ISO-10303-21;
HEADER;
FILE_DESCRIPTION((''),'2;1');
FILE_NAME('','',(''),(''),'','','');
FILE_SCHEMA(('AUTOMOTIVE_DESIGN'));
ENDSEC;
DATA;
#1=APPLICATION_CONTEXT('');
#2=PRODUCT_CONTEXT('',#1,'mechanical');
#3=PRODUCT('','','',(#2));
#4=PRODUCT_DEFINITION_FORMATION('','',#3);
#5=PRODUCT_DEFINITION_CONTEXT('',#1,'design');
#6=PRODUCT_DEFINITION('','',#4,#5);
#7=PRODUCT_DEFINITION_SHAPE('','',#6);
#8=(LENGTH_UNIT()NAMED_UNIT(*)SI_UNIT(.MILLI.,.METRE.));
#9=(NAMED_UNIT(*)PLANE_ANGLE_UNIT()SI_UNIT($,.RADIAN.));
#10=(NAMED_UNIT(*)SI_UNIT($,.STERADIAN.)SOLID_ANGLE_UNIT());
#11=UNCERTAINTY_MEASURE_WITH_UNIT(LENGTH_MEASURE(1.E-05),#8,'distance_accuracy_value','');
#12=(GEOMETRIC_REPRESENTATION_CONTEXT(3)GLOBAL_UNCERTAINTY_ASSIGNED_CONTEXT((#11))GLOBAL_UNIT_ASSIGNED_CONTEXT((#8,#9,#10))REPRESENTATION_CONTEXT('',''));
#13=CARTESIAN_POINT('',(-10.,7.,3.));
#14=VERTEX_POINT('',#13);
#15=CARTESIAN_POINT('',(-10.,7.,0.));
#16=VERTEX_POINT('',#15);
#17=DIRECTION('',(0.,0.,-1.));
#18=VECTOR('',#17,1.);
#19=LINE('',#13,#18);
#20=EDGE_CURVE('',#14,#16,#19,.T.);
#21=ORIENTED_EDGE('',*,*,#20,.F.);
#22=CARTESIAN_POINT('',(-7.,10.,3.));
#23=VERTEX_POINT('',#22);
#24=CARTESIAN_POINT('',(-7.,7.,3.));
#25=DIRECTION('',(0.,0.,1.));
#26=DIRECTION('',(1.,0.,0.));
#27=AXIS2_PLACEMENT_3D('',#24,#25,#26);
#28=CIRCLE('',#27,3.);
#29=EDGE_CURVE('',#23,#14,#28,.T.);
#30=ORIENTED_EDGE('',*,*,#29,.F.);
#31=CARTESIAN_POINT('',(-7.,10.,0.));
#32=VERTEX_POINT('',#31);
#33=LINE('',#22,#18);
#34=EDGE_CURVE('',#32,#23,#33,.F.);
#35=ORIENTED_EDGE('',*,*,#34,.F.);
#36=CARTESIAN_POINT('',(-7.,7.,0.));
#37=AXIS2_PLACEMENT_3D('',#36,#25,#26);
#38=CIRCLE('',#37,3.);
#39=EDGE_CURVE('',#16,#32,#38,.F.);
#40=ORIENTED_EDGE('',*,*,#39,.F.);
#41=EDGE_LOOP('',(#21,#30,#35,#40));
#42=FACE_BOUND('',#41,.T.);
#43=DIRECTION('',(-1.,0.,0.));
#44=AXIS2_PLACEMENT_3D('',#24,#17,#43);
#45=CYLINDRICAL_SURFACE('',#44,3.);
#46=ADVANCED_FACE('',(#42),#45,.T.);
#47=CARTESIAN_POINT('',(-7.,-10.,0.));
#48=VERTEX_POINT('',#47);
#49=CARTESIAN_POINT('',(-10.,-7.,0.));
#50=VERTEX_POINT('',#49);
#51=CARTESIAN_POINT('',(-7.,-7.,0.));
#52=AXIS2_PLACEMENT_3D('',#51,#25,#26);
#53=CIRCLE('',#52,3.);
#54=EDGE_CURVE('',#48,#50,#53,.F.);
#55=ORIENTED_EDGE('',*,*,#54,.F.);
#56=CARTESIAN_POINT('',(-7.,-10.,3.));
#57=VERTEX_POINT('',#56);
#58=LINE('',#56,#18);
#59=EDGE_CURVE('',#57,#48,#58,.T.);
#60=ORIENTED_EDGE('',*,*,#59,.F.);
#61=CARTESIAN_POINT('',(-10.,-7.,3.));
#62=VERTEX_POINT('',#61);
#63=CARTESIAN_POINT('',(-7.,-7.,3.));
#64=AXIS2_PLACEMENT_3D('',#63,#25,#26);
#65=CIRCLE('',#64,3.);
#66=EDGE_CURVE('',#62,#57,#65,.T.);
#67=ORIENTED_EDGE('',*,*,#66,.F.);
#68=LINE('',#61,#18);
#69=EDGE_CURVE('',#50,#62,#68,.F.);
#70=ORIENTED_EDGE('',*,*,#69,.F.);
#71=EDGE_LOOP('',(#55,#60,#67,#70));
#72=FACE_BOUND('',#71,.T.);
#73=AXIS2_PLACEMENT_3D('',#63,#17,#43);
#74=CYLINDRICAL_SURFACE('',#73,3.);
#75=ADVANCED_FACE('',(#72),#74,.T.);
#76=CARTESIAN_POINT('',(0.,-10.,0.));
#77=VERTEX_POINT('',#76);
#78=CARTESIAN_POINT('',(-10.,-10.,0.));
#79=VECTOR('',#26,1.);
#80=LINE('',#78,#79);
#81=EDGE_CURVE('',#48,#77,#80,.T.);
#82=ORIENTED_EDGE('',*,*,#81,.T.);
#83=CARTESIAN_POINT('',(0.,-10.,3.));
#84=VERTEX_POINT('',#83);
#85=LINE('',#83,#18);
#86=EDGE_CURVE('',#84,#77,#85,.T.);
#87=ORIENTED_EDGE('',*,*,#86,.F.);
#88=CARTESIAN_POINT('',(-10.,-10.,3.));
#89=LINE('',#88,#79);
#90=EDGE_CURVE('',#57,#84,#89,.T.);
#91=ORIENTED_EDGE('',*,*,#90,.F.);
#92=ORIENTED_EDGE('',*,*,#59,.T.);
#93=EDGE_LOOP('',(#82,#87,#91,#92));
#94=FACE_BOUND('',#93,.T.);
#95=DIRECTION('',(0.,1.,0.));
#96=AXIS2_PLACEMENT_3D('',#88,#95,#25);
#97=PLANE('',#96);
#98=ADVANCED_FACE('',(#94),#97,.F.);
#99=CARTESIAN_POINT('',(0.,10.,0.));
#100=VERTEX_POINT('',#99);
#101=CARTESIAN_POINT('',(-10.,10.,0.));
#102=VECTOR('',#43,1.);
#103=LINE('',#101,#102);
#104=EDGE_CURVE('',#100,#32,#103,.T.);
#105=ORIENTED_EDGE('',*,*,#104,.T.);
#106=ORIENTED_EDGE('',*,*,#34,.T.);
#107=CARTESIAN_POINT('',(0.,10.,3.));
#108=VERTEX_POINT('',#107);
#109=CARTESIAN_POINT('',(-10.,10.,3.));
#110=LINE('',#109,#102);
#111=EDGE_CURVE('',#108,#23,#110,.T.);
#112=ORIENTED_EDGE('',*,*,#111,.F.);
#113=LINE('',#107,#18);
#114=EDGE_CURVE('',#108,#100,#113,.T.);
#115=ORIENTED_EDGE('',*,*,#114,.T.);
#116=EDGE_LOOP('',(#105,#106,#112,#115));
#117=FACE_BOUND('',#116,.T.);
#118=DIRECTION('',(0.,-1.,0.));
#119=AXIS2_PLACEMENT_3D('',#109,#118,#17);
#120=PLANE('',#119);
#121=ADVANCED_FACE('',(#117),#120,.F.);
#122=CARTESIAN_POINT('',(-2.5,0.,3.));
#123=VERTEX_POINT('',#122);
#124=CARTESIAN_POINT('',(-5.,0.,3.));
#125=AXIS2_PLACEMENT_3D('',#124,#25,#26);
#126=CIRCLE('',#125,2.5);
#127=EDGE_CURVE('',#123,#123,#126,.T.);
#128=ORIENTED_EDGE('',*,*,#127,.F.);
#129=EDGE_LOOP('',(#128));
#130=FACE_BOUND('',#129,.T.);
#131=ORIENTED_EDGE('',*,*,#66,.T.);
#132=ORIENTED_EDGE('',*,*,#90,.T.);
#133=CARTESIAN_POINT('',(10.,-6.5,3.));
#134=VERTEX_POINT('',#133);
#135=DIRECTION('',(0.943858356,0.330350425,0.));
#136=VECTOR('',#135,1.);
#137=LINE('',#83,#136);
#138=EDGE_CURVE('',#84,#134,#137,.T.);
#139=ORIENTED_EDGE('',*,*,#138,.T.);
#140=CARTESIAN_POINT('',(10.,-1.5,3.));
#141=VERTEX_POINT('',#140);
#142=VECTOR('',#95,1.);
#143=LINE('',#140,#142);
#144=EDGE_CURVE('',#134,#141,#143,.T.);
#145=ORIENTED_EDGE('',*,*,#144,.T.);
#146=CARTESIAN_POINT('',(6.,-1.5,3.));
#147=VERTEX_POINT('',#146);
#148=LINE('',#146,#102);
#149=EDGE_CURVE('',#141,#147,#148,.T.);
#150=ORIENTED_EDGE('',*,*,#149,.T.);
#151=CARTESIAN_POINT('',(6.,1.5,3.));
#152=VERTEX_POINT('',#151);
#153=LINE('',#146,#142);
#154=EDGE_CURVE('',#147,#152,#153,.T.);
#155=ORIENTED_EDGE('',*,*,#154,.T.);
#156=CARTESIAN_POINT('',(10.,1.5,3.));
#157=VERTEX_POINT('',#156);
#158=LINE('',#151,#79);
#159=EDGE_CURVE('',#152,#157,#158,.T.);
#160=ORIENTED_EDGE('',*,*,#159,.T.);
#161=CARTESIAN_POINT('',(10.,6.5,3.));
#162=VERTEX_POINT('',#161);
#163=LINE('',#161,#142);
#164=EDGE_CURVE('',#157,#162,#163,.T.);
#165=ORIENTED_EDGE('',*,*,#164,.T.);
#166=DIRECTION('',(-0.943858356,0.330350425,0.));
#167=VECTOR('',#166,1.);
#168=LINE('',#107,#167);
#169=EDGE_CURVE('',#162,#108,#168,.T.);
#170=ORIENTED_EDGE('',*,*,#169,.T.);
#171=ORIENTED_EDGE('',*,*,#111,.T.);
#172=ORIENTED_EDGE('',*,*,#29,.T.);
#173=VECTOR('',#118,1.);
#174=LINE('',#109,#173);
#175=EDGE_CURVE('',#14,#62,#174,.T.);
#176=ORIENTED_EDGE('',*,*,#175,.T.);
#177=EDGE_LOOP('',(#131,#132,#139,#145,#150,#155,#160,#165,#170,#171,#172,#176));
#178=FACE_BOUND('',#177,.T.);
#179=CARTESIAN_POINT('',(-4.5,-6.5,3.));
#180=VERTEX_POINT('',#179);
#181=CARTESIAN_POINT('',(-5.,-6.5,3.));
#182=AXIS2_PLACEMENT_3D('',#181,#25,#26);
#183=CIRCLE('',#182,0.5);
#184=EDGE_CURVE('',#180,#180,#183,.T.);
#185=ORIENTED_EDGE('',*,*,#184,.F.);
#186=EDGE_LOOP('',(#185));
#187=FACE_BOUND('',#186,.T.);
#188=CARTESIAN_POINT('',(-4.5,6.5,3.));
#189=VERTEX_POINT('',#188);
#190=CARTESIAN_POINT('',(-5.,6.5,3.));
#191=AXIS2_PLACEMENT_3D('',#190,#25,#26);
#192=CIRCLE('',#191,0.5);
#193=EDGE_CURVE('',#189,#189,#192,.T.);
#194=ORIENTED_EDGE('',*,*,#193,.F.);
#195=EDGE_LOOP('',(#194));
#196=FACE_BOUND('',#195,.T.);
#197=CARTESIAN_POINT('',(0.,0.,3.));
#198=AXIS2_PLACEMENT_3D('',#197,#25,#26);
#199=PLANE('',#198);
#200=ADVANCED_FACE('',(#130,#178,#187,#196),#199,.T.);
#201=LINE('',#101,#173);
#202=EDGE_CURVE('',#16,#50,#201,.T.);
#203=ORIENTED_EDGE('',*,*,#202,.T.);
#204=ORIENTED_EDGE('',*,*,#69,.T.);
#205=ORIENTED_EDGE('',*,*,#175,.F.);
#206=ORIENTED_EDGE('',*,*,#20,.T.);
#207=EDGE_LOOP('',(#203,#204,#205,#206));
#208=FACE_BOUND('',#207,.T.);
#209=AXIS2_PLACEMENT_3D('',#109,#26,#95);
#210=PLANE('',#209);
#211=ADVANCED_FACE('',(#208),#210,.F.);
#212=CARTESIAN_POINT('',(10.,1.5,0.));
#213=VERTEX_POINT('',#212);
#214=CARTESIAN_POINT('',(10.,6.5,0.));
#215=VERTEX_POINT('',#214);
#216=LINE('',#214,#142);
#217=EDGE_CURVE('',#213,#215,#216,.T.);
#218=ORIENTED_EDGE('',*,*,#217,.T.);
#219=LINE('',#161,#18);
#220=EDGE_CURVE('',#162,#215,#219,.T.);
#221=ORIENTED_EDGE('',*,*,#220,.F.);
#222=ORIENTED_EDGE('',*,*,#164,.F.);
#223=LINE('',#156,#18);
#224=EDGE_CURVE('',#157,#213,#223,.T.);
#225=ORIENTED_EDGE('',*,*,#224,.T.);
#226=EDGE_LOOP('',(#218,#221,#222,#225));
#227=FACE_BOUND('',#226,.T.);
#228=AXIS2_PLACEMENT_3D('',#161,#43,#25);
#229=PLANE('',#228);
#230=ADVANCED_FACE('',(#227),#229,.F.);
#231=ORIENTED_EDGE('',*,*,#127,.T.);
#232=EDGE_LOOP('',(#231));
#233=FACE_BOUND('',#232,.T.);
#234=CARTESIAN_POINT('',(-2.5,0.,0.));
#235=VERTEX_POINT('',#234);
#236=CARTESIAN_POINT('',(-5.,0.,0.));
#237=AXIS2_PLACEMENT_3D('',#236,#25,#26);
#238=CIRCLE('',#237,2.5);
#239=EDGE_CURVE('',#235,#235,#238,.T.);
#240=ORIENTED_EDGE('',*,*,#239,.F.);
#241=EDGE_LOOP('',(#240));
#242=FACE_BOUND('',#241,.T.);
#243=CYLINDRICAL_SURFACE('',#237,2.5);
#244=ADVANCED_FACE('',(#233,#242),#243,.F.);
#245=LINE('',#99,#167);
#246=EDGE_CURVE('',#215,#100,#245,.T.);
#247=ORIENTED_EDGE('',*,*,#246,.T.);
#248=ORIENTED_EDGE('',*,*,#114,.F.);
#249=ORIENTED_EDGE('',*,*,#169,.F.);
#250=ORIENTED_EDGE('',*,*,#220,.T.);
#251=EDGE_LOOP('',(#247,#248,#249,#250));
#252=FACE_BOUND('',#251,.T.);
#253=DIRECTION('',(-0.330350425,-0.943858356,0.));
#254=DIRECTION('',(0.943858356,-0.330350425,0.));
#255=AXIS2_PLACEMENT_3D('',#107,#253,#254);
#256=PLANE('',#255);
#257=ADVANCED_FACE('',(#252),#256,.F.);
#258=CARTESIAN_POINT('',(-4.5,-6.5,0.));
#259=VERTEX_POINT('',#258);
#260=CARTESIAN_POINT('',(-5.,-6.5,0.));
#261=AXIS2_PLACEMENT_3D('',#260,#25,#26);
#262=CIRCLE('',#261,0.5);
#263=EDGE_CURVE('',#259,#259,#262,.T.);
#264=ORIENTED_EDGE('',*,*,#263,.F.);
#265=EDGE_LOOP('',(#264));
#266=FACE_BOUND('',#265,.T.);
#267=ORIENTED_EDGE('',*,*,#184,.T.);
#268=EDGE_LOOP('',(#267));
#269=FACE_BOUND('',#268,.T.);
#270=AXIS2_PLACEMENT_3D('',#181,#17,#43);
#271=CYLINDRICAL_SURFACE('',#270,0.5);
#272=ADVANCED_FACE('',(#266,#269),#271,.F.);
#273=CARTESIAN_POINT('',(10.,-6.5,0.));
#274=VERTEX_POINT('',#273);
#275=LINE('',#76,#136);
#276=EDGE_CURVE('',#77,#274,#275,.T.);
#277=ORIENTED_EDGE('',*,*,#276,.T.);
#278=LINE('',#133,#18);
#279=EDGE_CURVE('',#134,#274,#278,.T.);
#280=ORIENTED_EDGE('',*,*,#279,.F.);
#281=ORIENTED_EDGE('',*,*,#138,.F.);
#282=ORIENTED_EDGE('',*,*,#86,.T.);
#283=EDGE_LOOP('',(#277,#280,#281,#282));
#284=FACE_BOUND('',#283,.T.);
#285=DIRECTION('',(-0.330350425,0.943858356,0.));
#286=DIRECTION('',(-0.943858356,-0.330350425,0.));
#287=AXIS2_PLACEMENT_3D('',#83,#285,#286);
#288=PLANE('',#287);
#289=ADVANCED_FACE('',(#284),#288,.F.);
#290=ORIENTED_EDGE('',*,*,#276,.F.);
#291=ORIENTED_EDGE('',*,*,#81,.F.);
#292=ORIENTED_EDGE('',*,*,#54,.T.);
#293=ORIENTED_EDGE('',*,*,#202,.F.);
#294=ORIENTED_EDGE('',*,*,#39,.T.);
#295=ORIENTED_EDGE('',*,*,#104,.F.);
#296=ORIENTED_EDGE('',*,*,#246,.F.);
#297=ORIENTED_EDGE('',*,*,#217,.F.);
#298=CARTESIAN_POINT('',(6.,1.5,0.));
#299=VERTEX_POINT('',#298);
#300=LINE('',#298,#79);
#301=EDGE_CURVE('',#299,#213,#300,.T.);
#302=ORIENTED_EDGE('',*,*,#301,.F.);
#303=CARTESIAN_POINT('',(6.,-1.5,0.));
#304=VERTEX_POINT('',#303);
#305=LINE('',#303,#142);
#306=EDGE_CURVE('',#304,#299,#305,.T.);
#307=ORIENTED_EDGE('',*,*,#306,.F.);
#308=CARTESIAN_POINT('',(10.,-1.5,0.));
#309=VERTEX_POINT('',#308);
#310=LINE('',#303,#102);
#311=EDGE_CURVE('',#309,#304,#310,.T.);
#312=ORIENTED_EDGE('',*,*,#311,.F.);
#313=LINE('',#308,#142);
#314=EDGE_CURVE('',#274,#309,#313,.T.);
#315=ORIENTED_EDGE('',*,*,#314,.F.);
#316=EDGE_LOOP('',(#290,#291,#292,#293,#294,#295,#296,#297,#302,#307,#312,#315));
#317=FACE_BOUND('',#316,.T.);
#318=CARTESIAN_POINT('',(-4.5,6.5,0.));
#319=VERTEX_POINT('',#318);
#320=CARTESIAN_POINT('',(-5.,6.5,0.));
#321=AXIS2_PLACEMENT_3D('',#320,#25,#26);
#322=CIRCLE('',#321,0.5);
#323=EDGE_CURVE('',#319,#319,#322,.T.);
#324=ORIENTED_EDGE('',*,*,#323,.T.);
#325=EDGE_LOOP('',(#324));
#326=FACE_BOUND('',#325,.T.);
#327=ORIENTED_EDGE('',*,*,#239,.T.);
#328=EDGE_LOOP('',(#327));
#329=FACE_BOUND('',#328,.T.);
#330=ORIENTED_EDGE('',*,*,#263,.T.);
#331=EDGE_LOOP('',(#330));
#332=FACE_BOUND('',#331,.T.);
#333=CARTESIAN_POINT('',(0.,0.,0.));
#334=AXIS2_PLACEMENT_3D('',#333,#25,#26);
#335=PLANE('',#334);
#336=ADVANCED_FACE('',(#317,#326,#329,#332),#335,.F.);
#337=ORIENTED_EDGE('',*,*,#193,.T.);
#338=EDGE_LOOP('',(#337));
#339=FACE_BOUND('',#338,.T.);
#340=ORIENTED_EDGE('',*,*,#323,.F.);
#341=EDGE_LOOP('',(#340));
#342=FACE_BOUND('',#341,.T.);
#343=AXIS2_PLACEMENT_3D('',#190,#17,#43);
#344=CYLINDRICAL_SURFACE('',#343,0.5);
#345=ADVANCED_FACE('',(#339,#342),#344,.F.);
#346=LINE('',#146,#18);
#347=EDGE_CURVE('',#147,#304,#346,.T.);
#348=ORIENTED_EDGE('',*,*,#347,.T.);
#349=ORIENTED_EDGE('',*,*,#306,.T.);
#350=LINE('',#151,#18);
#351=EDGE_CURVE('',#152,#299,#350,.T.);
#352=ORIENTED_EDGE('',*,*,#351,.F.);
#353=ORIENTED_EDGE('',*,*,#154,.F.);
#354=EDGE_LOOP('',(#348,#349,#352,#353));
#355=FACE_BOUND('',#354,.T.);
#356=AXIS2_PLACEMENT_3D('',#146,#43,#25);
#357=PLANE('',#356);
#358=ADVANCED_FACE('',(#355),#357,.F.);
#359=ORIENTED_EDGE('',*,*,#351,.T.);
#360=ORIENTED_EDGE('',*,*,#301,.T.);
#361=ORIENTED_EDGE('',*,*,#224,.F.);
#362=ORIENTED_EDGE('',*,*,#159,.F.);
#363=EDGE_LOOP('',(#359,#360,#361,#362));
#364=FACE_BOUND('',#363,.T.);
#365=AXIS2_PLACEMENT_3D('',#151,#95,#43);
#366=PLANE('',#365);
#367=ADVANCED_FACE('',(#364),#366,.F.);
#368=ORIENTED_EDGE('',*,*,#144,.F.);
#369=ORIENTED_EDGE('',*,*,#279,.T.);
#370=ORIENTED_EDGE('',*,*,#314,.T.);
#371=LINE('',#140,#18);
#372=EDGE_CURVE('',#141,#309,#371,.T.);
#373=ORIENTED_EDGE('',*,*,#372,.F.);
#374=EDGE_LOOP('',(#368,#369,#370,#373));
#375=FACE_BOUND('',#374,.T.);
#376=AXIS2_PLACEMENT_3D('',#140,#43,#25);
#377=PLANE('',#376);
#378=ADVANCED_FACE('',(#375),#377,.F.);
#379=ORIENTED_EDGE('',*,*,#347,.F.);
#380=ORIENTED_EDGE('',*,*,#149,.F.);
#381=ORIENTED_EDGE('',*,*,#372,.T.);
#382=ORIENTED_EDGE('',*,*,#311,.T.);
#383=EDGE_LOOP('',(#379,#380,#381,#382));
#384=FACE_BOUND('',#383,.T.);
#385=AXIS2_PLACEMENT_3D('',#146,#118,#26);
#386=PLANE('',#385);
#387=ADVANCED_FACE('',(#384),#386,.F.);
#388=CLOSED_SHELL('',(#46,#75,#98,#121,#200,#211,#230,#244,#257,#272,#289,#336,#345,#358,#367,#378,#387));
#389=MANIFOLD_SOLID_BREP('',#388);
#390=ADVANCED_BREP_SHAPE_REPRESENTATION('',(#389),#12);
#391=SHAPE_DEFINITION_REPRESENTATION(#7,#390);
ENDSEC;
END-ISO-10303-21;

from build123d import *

# Parameters (mm, degrees)
SKETCH1_R           = 0.5
BOSS_EXTRUDE1_DEPTH = 3
FILLET1_R           = 3
SKETCH2_R           = 2.5
CUT_EXTRUDE1_DEPTH  = 3


with BuildPart() as part:
    # Sketch1 → Boss-Extrude1 (new body)
    with BuildSketch(Plane.XY):
        Polygon((-10, 10), (0, 10), (10, 6.5), (10, 1.5), (6, 1.5), (6, -1.5), (10, -1.5), (10, -6.5), (0, -10), (-10, -10), align=None)
        with Locations((-5, 6.5)):
            Circle(SKETCH1_R, mode=Mode.SUBTRACT)
        with Locations((-5, -6.5)):
            Circle(SKETCH1_R, mode=Mode.SUBTRACT)
    extrude(amount=BOSS_EXTRUDE1_DEPTH)

    # Fillet1
    fillet1_edges = [part.edges().sort_by_distance(p)[0] for p in [
        (-10, 10, 1.5),
        (-10, -10, 1.5),
    ]]
    fillet(fillet1_edges, radius=FILLET1_R)

    # Sketch2 → Cut-Extrude1 (cut)
    with BuildSketch(Plane.XY.offset(3)):
        with Locations((-5, 0)):
            Circle(SKETCH2_R)
    extrude(amount=-CUT_EXTRUDE1_DEPTH, mode=Mode.SUBTRACT)


solid = part.part
